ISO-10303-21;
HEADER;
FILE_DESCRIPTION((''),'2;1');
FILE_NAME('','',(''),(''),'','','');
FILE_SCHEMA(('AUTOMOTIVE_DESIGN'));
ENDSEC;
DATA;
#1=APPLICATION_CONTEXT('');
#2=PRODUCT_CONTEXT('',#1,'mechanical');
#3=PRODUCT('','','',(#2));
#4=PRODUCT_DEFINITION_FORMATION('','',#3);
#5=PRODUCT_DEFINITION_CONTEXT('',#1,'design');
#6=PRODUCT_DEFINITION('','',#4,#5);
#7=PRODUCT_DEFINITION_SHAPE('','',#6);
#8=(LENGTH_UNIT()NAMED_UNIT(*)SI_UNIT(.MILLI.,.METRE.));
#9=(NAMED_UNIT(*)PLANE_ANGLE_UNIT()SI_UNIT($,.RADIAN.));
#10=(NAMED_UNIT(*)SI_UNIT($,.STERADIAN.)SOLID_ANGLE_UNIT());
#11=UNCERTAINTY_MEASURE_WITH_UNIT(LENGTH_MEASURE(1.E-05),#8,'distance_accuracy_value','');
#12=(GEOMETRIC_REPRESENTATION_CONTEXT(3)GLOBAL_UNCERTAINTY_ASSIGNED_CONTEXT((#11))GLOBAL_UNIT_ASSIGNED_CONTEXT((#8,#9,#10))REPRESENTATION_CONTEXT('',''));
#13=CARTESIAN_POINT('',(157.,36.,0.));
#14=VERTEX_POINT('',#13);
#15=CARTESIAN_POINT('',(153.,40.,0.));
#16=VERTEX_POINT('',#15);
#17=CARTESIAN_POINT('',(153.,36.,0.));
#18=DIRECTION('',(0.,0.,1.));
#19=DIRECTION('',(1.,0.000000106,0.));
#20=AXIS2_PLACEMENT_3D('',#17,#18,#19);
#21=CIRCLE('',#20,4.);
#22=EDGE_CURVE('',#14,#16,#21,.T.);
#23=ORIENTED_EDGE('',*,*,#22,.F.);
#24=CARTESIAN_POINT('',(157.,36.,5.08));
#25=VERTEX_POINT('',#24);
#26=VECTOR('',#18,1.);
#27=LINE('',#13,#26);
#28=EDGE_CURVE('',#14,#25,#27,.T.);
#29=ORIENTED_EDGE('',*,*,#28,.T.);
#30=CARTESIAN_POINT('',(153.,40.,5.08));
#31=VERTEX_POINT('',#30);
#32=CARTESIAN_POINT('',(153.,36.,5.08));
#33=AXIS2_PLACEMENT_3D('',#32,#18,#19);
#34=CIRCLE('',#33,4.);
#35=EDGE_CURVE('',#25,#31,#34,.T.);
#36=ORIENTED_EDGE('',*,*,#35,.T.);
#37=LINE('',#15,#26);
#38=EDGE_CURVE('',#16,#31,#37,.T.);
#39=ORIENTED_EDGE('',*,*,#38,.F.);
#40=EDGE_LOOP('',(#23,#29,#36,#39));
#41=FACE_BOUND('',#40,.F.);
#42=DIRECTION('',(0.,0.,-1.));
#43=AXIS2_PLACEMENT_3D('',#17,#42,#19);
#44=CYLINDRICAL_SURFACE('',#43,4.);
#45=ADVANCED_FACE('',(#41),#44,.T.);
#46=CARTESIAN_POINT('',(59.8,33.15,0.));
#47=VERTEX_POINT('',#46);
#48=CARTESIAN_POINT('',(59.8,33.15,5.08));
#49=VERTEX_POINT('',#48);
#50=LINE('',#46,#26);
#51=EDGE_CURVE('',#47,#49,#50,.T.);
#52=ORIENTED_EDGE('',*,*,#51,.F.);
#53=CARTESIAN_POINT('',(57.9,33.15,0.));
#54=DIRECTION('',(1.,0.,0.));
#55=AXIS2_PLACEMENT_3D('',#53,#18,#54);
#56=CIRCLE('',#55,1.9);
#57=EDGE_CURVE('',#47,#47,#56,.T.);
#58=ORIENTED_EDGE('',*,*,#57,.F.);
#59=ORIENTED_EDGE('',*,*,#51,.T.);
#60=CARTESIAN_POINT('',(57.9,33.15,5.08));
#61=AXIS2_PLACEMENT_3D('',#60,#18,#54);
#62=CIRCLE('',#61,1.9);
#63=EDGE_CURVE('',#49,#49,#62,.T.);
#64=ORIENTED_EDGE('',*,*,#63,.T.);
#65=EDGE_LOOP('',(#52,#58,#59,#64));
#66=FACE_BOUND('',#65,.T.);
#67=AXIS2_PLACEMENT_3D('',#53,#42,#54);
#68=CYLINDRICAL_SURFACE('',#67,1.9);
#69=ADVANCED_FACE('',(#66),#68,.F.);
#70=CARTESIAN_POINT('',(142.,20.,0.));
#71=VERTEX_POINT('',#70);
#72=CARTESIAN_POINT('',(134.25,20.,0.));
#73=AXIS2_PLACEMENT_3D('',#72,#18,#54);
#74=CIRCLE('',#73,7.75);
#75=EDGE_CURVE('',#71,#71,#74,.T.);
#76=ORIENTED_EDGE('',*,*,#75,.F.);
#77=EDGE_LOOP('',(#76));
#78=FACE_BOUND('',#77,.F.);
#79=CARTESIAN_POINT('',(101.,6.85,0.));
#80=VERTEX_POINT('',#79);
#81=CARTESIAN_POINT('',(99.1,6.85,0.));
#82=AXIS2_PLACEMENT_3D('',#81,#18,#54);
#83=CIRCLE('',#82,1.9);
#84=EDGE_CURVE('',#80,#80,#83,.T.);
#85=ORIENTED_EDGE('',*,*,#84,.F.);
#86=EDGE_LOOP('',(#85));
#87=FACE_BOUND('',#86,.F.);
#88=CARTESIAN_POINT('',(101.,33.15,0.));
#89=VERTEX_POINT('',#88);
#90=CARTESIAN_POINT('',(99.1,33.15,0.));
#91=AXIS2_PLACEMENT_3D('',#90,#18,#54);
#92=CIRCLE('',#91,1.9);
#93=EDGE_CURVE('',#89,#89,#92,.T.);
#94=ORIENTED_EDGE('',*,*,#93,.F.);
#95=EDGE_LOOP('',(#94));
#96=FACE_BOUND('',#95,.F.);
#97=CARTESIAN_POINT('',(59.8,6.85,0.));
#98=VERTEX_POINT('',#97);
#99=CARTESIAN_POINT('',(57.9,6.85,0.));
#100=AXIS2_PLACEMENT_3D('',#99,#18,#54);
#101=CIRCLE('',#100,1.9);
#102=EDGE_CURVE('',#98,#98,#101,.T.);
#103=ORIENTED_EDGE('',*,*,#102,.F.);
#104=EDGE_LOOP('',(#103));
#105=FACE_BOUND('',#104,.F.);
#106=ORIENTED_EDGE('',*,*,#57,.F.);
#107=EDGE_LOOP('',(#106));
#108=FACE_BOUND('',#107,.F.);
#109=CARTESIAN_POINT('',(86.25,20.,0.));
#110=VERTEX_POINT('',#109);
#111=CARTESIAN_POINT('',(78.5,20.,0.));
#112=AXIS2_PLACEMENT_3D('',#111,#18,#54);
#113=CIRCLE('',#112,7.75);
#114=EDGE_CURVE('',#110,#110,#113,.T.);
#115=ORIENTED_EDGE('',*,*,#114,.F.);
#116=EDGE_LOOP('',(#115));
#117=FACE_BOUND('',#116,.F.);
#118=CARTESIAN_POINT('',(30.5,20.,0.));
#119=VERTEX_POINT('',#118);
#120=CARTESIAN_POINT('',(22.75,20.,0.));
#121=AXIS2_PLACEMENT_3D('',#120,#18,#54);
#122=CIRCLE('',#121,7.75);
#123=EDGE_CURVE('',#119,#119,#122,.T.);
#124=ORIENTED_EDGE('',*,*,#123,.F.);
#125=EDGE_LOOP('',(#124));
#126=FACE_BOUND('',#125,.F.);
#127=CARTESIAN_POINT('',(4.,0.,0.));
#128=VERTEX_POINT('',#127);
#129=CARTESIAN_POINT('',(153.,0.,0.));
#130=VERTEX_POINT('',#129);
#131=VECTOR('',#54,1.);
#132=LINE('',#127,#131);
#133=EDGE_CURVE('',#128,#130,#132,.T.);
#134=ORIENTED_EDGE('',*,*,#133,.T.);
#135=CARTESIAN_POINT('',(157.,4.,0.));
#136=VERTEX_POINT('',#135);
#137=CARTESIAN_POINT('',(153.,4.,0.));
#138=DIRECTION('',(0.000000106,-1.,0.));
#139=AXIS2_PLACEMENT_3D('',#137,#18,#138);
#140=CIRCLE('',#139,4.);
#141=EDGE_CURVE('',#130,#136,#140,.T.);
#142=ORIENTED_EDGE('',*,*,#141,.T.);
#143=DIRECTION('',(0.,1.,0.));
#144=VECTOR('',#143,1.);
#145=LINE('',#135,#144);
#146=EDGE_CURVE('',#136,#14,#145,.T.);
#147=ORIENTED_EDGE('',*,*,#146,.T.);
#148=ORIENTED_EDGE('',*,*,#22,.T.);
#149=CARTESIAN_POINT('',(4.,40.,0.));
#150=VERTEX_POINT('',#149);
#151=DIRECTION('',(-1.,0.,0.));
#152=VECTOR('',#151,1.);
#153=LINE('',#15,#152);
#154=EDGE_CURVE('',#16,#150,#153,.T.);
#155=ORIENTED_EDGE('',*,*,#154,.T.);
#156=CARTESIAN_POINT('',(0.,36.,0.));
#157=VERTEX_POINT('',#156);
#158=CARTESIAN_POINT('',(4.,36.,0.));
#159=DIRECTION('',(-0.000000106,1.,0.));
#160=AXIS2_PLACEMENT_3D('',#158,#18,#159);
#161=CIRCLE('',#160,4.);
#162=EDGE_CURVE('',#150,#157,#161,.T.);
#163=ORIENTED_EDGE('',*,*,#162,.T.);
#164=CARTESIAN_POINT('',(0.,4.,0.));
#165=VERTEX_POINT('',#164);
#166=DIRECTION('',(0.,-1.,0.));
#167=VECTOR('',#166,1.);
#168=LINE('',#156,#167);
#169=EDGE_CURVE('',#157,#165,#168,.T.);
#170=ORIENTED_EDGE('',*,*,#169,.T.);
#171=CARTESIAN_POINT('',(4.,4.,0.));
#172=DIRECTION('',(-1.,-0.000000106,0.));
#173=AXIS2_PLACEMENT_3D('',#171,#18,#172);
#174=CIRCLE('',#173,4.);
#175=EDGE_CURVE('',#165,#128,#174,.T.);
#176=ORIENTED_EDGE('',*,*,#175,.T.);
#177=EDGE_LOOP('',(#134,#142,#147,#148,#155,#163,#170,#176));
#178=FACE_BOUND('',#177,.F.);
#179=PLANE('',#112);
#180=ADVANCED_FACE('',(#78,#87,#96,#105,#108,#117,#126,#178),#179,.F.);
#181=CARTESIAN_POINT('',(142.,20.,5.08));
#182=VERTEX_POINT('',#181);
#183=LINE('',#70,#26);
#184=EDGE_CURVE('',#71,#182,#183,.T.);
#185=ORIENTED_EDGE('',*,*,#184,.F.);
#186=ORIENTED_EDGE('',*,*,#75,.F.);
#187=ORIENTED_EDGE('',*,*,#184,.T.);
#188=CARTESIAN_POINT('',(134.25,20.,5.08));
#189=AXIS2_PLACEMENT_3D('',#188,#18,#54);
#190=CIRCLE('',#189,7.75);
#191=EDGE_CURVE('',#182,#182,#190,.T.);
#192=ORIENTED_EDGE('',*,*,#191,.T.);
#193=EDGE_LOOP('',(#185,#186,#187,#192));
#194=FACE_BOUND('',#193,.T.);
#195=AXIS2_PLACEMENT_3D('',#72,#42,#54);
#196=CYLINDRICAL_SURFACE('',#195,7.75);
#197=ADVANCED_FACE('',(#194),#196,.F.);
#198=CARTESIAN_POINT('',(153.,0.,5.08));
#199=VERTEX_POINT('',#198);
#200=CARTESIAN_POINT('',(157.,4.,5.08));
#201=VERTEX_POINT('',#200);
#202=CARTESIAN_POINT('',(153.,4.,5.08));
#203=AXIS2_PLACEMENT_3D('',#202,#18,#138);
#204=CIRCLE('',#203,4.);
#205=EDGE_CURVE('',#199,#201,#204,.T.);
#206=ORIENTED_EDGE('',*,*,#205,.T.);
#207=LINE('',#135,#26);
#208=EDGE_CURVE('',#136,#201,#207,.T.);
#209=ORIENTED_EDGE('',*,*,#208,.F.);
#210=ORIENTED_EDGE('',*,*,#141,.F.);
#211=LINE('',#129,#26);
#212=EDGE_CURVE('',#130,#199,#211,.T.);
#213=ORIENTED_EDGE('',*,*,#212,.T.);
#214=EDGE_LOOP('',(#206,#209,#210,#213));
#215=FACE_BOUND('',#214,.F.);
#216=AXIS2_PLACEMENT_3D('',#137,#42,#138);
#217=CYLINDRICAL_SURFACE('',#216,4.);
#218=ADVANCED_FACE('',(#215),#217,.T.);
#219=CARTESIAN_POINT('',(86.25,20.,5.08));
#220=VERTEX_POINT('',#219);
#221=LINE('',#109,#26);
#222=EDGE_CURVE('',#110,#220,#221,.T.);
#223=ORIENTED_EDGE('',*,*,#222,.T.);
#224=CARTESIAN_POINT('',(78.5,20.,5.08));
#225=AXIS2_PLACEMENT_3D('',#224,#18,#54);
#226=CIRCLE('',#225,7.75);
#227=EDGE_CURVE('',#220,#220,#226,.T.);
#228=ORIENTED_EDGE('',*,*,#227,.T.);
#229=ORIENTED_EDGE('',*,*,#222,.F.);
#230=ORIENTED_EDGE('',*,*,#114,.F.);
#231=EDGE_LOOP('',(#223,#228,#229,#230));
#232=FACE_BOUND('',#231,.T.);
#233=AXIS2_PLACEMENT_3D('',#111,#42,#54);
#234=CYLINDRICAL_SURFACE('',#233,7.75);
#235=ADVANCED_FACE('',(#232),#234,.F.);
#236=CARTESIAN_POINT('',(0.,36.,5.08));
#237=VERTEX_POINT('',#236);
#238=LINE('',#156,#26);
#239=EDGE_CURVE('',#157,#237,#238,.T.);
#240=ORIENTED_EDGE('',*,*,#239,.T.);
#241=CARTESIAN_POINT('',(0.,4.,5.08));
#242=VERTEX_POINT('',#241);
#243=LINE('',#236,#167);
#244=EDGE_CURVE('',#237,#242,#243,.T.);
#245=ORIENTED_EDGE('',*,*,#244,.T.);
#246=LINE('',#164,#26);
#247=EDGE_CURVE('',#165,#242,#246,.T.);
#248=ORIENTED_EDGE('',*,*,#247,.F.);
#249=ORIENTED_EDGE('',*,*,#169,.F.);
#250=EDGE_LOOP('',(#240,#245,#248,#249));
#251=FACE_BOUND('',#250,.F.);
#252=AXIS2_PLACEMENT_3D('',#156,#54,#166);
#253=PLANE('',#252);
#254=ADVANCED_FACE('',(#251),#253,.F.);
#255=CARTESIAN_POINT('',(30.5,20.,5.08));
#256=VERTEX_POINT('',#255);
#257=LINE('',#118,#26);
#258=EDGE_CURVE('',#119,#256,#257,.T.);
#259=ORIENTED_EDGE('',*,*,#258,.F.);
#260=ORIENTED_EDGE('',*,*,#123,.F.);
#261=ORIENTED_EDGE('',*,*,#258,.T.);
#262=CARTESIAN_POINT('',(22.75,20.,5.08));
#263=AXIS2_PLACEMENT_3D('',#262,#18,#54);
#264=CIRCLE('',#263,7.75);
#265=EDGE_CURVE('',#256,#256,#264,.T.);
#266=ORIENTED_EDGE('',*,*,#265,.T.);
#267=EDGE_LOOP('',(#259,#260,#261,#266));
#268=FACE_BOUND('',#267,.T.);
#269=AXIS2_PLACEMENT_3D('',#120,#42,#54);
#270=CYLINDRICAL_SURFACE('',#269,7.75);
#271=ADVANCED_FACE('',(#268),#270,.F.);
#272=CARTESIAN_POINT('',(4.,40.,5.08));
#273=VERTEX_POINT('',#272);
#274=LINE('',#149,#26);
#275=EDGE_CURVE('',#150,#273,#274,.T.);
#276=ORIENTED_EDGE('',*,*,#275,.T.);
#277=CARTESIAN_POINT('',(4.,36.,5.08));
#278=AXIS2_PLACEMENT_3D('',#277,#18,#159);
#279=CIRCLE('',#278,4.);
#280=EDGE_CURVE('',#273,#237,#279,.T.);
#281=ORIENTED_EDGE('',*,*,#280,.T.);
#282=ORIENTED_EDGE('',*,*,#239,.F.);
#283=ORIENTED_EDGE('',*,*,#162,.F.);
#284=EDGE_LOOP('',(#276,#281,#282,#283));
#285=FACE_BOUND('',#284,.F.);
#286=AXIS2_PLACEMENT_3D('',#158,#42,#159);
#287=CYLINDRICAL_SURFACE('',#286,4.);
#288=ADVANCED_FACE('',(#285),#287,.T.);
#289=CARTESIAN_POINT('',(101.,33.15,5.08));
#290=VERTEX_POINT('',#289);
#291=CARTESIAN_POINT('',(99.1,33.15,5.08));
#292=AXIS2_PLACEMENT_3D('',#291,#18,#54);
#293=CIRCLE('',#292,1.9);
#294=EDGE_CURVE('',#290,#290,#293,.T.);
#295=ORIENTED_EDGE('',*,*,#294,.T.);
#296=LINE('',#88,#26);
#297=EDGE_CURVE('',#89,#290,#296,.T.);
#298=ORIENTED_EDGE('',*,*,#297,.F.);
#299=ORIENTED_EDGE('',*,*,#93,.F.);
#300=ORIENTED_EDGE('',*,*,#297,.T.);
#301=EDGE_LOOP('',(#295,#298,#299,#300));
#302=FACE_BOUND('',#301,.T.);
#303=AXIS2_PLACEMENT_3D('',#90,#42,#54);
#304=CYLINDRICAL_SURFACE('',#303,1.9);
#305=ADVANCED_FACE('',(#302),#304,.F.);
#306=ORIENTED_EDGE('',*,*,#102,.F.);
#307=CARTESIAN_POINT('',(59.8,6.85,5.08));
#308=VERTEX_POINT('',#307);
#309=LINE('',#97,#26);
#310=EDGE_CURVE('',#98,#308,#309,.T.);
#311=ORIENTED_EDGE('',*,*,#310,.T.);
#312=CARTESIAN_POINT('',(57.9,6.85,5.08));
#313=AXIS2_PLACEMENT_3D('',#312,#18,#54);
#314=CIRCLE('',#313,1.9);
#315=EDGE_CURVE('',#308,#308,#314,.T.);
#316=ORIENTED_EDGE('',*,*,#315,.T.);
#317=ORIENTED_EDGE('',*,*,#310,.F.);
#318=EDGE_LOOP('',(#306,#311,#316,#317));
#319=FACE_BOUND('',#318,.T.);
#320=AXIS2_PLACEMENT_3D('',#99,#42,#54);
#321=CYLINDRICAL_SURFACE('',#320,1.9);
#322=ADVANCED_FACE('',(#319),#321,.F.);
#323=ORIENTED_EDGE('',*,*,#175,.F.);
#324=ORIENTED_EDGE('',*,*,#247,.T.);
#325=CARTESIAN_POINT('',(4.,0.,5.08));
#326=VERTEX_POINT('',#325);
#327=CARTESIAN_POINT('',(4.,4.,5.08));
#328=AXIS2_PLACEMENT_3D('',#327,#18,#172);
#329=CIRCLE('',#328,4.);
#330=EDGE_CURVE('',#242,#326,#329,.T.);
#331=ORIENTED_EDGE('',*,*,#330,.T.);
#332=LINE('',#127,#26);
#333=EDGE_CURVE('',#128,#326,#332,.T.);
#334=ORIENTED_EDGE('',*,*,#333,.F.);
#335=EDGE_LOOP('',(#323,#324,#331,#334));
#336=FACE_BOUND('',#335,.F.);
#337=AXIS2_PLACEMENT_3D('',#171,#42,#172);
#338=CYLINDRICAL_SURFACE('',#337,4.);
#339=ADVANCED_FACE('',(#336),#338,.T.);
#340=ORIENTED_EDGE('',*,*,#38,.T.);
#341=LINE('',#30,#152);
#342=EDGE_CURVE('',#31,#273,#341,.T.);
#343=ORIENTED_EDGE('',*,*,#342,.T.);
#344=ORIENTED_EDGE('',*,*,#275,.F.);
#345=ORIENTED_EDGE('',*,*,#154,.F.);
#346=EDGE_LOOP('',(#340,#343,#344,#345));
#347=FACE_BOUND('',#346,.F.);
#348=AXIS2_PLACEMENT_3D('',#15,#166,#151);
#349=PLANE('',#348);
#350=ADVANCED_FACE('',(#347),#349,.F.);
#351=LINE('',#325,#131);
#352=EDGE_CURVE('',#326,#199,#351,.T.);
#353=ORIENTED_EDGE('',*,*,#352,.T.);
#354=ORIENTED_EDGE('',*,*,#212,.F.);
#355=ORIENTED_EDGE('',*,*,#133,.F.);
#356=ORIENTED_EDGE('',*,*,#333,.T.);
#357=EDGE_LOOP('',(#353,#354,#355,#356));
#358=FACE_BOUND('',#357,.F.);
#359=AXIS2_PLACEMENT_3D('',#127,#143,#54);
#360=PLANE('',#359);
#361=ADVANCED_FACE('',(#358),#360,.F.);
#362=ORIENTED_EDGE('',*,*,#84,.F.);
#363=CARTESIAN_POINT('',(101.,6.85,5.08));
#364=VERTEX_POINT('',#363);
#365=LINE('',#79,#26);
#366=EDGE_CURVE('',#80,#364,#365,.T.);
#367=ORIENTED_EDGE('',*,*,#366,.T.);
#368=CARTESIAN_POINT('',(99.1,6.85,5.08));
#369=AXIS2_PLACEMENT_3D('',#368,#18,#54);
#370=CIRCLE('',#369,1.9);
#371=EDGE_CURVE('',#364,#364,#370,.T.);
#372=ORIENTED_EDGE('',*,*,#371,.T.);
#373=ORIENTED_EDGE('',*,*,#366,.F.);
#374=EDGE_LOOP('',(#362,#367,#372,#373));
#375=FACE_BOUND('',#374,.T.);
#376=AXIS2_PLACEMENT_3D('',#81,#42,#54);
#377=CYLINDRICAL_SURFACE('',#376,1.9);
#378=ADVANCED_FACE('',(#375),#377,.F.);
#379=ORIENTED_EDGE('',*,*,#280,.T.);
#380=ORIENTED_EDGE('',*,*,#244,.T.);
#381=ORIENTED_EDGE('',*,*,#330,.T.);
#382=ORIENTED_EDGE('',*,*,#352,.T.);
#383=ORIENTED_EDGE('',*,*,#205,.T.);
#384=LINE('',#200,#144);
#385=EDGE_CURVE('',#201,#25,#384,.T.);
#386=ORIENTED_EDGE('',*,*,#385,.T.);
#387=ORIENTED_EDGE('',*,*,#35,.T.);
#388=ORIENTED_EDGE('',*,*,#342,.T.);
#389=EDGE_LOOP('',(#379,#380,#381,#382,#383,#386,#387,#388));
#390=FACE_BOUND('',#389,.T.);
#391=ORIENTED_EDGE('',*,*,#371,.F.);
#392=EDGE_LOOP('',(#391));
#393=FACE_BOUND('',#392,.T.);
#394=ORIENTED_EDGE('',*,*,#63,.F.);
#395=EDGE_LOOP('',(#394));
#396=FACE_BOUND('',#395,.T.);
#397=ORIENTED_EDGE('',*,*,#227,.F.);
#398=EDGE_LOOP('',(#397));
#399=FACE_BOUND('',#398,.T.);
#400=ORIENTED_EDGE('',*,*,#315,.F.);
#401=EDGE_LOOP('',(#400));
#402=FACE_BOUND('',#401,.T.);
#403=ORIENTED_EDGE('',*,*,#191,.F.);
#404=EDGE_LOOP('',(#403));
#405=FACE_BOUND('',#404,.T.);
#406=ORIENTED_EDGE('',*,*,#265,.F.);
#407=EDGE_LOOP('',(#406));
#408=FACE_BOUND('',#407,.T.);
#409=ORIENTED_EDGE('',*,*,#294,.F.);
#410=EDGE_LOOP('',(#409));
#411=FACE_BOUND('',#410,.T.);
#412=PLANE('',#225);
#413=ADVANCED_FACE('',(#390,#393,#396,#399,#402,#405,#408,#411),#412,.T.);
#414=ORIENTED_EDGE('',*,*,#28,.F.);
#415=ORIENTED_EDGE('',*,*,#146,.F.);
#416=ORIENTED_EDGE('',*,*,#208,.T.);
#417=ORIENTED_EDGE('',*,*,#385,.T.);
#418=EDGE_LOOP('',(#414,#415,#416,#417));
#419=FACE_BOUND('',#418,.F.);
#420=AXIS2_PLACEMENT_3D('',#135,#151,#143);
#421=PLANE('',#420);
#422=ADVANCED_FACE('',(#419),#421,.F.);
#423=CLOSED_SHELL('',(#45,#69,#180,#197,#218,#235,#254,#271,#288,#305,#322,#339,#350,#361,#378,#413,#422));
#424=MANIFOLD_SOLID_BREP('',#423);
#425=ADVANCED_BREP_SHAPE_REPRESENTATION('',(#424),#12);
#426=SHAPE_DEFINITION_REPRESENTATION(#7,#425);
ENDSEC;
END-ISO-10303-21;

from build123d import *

# Parameters (mm, degrees)
F0_R     = 1.9
F0_R_2   = 7.75
F1_DEPTH = 5.08


with BuildPart() as f1:
    # F0 (on Top) → F1 (new body)
    with BuildSketch(Plane.XY):
        with BuildLine():
            ThreePointArc((0, 4), (1.171573, 1.171573), (4, 0))
            Line((4, 0), (153, 0))
            ThreePointArc((153, 0), (155.828427, 1.171573), (157, 4))
            Line((157, 4), (157, 36))
            ThreePointArc((157, 36), (155.828427, 38.828427), (153, 40))
            Line((153, 40), (4, 40))
            ThreePointArc((4, 40), (1.171573, 38.828427), (0, 36))
            Line((0, 36), (0, 4))
        make_face()
        with Locations((57.9, 6.85)):
            Circle(F0_R, mode=Mode.SUBTRACT)
        with Locations((99.1, 6.85)):
            Circle(F0_R, mode=Mode.SUBTRACT)
        with Locations((22.75, 20)):
            Circle(F0_R_2, mode=Mode.SUBTRACT)
        with Locations((57.9, 33.15)):
            Circle(F0_R, mode=Mode.SUBTRACT)
        with Locations((78.5, 20)):
            Circle(F0_R_2, mode=Mode.SUBTRACT)
        with Locations((134.25, 20)):
            Circle(F0_R_2, mode=Mode.SUBTRACT)
        with Locations((99.1, 33.15)):
            Circle(F0_R, mode=Mode.SUBTRACT)
    extrude(amount=F1_DEPTH)


solid = f1.part
